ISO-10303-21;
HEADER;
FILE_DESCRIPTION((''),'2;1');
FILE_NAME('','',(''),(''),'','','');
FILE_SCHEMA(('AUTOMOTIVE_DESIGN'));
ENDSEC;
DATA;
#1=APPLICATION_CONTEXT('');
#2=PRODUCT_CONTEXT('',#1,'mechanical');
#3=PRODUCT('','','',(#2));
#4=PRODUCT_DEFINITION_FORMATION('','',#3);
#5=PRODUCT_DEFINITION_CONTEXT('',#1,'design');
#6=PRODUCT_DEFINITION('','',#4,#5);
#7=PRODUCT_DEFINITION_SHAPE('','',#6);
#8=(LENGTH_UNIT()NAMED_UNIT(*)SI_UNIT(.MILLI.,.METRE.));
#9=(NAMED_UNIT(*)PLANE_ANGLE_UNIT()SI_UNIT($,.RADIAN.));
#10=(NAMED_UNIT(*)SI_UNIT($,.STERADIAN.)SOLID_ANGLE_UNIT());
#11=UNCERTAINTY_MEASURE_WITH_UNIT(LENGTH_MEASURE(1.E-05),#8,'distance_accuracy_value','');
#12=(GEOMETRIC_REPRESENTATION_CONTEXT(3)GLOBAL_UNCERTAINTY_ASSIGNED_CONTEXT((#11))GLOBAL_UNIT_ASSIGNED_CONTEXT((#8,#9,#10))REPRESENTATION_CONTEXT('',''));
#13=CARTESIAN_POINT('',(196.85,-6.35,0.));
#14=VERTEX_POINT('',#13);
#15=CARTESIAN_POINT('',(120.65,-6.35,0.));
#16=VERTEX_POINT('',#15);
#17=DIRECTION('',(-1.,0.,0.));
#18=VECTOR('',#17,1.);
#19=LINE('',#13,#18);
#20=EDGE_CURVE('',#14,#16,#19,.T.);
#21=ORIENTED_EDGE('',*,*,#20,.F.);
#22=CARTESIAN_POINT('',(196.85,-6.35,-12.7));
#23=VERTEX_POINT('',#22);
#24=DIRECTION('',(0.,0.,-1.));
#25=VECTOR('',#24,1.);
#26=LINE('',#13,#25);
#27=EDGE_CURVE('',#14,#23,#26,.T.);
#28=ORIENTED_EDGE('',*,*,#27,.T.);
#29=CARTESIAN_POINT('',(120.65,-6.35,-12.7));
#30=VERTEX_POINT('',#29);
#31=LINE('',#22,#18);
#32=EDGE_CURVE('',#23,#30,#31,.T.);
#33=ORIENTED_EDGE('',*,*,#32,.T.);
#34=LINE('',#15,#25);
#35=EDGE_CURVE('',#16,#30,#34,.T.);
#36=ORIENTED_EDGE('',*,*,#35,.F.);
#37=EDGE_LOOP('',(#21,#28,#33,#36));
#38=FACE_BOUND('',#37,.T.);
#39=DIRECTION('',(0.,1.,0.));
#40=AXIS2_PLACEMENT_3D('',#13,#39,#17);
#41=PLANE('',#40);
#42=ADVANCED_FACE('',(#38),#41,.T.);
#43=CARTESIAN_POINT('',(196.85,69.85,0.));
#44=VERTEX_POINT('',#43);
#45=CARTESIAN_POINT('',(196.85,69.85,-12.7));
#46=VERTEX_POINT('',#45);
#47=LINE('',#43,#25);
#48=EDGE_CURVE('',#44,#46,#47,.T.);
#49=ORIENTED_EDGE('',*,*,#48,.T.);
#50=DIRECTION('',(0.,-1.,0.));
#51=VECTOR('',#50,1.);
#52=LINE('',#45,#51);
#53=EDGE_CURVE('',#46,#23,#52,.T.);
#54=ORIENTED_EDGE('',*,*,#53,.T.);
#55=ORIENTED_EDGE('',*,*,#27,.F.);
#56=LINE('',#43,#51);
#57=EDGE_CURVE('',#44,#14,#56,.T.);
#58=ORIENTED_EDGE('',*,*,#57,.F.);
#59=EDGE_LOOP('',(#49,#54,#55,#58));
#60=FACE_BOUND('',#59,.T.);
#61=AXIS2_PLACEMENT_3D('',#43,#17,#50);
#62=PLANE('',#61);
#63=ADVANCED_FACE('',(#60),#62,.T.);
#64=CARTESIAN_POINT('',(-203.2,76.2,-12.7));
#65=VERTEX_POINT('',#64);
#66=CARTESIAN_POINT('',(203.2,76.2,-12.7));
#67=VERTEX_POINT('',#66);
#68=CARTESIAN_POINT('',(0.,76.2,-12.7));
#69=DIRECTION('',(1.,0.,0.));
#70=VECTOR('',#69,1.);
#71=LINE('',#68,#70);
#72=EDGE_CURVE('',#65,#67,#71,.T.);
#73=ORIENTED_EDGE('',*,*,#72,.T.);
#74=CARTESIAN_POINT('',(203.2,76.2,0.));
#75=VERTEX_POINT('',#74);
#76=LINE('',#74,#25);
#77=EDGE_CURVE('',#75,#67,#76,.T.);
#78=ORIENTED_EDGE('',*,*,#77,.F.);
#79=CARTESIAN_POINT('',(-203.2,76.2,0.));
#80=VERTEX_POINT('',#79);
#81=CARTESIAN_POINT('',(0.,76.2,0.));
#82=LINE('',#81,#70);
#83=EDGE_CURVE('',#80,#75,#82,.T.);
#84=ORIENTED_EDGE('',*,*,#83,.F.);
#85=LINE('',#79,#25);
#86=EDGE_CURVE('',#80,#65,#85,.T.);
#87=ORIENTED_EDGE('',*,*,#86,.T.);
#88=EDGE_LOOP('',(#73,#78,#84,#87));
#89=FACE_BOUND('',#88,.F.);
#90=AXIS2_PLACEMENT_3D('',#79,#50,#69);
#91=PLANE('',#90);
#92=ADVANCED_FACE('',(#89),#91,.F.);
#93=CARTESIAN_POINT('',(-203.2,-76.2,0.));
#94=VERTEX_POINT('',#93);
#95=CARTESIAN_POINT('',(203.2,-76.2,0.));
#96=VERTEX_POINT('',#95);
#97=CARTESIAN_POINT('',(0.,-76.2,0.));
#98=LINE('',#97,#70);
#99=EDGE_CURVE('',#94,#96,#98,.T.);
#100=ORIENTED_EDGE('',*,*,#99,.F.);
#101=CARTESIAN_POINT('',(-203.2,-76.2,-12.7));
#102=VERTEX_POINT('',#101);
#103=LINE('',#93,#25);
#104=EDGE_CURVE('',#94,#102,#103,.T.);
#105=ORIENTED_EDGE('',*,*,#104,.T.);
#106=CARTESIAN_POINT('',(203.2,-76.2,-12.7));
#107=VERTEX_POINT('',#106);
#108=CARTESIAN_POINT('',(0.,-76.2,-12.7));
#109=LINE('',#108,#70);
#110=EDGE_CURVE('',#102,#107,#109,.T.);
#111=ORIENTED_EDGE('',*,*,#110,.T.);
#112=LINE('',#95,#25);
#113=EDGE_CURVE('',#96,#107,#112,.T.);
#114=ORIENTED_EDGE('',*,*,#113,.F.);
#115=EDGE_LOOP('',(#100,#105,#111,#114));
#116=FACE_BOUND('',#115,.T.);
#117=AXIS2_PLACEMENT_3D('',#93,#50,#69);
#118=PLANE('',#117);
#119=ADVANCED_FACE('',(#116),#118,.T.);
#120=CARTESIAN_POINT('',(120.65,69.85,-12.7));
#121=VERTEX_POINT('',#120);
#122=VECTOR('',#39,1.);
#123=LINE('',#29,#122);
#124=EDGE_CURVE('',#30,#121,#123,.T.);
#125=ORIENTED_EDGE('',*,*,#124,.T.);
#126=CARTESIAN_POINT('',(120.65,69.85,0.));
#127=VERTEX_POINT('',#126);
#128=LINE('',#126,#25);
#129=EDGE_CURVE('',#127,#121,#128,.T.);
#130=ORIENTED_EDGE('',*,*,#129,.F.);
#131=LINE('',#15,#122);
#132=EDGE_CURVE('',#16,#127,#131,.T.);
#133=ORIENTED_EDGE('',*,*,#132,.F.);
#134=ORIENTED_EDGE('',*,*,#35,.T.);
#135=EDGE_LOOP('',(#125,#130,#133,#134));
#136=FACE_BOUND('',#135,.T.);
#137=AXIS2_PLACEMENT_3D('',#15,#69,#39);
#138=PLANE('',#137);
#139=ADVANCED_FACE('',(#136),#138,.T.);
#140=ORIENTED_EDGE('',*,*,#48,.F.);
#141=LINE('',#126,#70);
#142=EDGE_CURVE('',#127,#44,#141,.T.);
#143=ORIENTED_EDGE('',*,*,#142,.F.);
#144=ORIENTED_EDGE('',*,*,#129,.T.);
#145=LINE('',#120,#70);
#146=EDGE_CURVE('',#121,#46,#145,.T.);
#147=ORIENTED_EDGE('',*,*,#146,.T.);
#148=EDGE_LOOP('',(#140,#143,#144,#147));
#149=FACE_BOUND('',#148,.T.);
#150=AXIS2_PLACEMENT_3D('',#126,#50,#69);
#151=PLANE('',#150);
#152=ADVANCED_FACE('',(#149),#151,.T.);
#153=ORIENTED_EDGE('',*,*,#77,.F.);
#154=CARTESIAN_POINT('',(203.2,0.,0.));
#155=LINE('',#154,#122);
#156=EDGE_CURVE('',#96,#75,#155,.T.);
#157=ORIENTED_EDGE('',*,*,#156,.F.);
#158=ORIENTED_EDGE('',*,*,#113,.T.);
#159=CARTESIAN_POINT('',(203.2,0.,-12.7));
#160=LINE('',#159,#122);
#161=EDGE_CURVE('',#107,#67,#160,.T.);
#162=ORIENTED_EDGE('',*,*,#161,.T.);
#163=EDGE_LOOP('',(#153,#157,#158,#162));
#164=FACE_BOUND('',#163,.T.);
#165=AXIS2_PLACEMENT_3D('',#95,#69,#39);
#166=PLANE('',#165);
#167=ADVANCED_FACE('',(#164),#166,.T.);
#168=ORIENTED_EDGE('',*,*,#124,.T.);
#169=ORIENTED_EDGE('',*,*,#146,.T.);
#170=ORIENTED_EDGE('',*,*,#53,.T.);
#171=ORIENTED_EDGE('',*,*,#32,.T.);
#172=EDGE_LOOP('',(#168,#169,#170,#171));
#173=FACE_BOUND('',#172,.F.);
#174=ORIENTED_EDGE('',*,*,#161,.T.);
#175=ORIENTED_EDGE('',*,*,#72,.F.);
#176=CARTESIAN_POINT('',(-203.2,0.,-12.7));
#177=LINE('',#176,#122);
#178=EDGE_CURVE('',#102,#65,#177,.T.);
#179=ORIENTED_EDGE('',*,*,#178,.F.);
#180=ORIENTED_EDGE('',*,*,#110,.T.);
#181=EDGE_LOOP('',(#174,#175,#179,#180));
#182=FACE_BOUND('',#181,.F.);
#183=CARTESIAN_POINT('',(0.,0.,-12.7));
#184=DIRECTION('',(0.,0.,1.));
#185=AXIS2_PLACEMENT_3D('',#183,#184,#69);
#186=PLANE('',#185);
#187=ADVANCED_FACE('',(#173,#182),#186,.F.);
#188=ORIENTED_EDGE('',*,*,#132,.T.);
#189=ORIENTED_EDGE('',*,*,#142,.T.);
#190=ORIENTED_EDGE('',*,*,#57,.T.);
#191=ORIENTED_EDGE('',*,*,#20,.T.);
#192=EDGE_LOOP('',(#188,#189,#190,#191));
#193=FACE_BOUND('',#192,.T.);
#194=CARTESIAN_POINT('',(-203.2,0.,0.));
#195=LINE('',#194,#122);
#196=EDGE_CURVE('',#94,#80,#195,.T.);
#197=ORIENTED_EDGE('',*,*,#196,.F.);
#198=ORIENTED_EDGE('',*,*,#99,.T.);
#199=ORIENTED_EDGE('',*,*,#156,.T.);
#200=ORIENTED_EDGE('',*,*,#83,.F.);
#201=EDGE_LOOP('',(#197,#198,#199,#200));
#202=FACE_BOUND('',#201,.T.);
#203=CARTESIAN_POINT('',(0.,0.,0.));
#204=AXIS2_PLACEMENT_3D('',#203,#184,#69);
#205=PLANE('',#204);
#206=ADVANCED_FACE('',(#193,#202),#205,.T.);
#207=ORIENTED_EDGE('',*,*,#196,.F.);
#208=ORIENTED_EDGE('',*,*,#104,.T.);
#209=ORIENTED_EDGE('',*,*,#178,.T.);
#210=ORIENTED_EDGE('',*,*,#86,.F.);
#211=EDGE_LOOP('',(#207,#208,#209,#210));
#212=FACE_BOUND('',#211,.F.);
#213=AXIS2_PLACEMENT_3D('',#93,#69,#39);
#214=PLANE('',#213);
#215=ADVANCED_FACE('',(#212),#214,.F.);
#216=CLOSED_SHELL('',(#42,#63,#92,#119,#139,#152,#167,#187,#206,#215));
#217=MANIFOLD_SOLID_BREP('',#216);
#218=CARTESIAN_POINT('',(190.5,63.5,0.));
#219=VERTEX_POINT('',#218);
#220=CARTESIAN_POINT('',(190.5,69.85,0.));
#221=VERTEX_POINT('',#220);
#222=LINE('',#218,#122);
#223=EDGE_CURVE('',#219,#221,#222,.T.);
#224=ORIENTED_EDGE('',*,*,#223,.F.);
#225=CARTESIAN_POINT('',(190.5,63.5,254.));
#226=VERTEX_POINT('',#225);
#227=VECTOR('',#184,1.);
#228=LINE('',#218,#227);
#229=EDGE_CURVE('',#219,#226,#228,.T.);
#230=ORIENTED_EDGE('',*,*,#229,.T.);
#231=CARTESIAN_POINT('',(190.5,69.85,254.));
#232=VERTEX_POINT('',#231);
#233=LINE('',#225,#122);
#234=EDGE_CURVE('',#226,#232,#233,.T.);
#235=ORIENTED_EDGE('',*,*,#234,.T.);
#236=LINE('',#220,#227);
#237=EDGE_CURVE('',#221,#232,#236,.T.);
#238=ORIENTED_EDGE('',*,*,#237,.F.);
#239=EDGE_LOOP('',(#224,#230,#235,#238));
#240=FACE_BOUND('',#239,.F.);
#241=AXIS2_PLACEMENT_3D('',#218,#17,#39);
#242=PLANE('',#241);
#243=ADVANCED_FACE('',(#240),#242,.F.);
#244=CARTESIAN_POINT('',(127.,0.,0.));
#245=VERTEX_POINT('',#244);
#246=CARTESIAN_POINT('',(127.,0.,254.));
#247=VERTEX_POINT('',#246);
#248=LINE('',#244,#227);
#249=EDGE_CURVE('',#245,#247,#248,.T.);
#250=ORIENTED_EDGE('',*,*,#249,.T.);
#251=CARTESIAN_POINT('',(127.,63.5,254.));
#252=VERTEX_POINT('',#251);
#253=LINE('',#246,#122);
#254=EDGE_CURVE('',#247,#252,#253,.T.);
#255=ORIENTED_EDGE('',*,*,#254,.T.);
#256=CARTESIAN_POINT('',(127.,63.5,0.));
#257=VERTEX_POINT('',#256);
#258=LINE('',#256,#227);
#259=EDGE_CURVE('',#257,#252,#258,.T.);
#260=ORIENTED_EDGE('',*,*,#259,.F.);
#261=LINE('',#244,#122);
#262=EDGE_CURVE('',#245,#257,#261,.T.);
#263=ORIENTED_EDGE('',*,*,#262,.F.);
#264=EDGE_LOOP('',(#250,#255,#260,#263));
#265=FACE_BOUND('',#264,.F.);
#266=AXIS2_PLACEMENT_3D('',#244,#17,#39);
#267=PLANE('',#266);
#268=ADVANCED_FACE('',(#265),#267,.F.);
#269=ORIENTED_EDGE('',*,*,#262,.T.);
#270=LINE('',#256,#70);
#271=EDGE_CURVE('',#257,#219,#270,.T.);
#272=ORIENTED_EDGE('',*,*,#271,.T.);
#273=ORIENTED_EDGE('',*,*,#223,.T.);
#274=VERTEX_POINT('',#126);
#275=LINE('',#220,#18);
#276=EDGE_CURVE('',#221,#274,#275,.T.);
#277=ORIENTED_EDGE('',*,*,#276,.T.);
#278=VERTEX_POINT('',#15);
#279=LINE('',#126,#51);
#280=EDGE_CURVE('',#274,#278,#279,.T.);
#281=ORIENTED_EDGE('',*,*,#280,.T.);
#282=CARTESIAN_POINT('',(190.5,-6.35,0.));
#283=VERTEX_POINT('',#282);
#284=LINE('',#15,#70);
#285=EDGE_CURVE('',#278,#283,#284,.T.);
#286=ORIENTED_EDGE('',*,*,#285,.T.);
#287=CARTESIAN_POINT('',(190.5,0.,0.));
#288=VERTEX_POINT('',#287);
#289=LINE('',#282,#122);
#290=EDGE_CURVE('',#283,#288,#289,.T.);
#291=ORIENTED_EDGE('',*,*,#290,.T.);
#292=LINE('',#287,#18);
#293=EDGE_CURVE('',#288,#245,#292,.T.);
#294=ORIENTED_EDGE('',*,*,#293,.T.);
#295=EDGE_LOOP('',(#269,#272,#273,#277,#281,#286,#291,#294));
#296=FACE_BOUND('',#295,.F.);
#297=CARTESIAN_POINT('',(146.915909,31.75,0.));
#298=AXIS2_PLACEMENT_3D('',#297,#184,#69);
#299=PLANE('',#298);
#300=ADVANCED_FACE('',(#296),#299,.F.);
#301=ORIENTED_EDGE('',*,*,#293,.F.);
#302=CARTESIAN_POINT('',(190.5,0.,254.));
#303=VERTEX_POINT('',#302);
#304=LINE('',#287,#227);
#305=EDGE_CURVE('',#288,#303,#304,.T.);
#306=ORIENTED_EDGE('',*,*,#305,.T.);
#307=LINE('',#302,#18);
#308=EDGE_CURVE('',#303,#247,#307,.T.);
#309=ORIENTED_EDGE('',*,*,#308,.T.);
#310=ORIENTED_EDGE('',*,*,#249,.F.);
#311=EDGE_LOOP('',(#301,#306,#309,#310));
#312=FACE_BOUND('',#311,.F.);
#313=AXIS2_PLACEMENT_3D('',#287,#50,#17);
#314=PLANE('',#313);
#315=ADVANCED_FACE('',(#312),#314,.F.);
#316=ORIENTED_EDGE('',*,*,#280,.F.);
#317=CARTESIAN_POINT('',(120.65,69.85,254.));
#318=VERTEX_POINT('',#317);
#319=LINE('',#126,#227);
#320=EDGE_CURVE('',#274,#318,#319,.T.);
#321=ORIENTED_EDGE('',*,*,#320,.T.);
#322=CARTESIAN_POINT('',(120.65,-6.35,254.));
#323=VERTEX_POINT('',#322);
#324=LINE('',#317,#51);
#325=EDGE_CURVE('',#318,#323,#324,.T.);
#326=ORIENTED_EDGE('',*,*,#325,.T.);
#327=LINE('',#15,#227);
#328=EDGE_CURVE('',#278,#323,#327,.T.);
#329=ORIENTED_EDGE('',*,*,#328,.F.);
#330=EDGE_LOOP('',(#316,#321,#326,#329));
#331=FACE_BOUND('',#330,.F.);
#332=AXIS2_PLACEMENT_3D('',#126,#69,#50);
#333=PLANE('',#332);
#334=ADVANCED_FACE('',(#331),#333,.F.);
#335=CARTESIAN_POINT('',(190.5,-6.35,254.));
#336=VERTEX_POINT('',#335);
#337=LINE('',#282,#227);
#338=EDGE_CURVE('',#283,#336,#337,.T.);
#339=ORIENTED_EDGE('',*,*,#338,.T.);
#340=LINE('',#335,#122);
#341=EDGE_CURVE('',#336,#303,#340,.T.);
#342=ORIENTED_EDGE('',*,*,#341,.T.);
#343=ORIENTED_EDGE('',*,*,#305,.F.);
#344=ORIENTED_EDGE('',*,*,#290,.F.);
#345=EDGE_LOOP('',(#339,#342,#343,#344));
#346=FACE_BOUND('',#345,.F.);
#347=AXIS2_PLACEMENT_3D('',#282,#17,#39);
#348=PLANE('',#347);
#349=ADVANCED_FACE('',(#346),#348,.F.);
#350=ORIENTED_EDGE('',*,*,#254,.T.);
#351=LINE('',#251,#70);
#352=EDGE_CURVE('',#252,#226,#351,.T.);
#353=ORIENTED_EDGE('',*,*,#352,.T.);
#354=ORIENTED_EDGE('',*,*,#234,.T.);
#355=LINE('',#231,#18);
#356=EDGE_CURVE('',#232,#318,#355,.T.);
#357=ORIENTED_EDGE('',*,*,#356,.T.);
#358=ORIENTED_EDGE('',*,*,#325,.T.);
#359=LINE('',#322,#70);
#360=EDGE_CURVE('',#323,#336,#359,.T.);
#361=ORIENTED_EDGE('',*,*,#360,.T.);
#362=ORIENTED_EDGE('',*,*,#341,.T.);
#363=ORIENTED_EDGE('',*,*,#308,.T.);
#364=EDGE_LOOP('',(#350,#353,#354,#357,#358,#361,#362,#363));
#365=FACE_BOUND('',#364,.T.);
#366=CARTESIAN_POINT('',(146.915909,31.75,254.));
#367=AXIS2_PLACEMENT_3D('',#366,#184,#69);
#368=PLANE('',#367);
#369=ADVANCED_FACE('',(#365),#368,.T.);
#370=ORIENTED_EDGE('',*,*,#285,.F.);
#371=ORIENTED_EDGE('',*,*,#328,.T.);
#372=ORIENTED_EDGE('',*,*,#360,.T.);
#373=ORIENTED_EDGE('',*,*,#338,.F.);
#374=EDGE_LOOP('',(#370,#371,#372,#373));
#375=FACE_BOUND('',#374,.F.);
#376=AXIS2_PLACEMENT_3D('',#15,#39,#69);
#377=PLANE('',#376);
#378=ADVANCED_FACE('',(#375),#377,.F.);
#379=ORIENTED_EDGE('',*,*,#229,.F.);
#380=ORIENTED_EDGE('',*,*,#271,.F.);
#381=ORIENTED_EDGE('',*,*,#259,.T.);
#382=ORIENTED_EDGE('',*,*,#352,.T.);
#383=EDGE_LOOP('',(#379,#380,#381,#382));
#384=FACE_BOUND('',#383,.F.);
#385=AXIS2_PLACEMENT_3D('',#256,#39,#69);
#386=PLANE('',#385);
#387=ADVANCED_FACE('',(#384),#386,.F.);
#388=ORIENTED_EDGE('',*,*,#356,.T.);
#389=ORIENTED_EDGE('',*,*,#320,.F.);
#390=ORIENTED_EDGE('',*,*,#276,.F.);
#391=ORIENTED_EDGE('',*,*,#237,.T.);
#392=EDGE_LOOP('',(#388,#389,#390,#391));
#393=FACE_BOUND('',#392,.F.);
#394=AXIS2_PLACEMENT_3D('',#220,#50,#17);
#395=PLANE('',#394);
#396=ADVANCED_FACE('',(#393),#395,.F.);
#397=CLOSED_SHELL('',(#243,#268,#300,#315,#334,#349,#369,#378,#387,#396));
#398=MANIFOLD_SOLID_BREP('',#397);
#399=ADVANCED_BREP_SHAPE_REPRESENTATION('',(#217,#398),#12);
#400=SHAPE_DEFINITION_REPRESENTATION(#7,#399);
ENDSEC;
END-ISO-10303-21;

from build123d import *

# Parameters (mm, degrees)
F0_W     = 406.4
F0_H     = 152.4
F1_DEPTH = 12.7
F2_DEPTH = 254


with BuildPart() as f1:
    # F0 (on Top) → F1 (new body)
    with BuildSketch(Plane.XY):
        Rectangle(F0_W, F0_H)
        Polygon((196.85, -6.35), (190.5, -6.35), (120.65, -6.35), (120.65, 69.85), (190.5, 69.85), (196.85, 69.85), align=None, mode=Mode.SUBTRACT)
    extrude(amount=-F1_DEPTH)


with BuildPart() as f2:
    # F0 (on Top) → F2 (new body)
    with BuildSketch(Plane.XY):
        Polygon((190.5, -6.35), (190.5, 0), (127, 0), (127, 63.5), (190.5, 63.5), (190.5, 69.85), (120.65, 69.85), (120.65, -6.35), align=None)
    extrude(amount=F2_DEPTH)


solid = Compound([f1.part, f2.part])
